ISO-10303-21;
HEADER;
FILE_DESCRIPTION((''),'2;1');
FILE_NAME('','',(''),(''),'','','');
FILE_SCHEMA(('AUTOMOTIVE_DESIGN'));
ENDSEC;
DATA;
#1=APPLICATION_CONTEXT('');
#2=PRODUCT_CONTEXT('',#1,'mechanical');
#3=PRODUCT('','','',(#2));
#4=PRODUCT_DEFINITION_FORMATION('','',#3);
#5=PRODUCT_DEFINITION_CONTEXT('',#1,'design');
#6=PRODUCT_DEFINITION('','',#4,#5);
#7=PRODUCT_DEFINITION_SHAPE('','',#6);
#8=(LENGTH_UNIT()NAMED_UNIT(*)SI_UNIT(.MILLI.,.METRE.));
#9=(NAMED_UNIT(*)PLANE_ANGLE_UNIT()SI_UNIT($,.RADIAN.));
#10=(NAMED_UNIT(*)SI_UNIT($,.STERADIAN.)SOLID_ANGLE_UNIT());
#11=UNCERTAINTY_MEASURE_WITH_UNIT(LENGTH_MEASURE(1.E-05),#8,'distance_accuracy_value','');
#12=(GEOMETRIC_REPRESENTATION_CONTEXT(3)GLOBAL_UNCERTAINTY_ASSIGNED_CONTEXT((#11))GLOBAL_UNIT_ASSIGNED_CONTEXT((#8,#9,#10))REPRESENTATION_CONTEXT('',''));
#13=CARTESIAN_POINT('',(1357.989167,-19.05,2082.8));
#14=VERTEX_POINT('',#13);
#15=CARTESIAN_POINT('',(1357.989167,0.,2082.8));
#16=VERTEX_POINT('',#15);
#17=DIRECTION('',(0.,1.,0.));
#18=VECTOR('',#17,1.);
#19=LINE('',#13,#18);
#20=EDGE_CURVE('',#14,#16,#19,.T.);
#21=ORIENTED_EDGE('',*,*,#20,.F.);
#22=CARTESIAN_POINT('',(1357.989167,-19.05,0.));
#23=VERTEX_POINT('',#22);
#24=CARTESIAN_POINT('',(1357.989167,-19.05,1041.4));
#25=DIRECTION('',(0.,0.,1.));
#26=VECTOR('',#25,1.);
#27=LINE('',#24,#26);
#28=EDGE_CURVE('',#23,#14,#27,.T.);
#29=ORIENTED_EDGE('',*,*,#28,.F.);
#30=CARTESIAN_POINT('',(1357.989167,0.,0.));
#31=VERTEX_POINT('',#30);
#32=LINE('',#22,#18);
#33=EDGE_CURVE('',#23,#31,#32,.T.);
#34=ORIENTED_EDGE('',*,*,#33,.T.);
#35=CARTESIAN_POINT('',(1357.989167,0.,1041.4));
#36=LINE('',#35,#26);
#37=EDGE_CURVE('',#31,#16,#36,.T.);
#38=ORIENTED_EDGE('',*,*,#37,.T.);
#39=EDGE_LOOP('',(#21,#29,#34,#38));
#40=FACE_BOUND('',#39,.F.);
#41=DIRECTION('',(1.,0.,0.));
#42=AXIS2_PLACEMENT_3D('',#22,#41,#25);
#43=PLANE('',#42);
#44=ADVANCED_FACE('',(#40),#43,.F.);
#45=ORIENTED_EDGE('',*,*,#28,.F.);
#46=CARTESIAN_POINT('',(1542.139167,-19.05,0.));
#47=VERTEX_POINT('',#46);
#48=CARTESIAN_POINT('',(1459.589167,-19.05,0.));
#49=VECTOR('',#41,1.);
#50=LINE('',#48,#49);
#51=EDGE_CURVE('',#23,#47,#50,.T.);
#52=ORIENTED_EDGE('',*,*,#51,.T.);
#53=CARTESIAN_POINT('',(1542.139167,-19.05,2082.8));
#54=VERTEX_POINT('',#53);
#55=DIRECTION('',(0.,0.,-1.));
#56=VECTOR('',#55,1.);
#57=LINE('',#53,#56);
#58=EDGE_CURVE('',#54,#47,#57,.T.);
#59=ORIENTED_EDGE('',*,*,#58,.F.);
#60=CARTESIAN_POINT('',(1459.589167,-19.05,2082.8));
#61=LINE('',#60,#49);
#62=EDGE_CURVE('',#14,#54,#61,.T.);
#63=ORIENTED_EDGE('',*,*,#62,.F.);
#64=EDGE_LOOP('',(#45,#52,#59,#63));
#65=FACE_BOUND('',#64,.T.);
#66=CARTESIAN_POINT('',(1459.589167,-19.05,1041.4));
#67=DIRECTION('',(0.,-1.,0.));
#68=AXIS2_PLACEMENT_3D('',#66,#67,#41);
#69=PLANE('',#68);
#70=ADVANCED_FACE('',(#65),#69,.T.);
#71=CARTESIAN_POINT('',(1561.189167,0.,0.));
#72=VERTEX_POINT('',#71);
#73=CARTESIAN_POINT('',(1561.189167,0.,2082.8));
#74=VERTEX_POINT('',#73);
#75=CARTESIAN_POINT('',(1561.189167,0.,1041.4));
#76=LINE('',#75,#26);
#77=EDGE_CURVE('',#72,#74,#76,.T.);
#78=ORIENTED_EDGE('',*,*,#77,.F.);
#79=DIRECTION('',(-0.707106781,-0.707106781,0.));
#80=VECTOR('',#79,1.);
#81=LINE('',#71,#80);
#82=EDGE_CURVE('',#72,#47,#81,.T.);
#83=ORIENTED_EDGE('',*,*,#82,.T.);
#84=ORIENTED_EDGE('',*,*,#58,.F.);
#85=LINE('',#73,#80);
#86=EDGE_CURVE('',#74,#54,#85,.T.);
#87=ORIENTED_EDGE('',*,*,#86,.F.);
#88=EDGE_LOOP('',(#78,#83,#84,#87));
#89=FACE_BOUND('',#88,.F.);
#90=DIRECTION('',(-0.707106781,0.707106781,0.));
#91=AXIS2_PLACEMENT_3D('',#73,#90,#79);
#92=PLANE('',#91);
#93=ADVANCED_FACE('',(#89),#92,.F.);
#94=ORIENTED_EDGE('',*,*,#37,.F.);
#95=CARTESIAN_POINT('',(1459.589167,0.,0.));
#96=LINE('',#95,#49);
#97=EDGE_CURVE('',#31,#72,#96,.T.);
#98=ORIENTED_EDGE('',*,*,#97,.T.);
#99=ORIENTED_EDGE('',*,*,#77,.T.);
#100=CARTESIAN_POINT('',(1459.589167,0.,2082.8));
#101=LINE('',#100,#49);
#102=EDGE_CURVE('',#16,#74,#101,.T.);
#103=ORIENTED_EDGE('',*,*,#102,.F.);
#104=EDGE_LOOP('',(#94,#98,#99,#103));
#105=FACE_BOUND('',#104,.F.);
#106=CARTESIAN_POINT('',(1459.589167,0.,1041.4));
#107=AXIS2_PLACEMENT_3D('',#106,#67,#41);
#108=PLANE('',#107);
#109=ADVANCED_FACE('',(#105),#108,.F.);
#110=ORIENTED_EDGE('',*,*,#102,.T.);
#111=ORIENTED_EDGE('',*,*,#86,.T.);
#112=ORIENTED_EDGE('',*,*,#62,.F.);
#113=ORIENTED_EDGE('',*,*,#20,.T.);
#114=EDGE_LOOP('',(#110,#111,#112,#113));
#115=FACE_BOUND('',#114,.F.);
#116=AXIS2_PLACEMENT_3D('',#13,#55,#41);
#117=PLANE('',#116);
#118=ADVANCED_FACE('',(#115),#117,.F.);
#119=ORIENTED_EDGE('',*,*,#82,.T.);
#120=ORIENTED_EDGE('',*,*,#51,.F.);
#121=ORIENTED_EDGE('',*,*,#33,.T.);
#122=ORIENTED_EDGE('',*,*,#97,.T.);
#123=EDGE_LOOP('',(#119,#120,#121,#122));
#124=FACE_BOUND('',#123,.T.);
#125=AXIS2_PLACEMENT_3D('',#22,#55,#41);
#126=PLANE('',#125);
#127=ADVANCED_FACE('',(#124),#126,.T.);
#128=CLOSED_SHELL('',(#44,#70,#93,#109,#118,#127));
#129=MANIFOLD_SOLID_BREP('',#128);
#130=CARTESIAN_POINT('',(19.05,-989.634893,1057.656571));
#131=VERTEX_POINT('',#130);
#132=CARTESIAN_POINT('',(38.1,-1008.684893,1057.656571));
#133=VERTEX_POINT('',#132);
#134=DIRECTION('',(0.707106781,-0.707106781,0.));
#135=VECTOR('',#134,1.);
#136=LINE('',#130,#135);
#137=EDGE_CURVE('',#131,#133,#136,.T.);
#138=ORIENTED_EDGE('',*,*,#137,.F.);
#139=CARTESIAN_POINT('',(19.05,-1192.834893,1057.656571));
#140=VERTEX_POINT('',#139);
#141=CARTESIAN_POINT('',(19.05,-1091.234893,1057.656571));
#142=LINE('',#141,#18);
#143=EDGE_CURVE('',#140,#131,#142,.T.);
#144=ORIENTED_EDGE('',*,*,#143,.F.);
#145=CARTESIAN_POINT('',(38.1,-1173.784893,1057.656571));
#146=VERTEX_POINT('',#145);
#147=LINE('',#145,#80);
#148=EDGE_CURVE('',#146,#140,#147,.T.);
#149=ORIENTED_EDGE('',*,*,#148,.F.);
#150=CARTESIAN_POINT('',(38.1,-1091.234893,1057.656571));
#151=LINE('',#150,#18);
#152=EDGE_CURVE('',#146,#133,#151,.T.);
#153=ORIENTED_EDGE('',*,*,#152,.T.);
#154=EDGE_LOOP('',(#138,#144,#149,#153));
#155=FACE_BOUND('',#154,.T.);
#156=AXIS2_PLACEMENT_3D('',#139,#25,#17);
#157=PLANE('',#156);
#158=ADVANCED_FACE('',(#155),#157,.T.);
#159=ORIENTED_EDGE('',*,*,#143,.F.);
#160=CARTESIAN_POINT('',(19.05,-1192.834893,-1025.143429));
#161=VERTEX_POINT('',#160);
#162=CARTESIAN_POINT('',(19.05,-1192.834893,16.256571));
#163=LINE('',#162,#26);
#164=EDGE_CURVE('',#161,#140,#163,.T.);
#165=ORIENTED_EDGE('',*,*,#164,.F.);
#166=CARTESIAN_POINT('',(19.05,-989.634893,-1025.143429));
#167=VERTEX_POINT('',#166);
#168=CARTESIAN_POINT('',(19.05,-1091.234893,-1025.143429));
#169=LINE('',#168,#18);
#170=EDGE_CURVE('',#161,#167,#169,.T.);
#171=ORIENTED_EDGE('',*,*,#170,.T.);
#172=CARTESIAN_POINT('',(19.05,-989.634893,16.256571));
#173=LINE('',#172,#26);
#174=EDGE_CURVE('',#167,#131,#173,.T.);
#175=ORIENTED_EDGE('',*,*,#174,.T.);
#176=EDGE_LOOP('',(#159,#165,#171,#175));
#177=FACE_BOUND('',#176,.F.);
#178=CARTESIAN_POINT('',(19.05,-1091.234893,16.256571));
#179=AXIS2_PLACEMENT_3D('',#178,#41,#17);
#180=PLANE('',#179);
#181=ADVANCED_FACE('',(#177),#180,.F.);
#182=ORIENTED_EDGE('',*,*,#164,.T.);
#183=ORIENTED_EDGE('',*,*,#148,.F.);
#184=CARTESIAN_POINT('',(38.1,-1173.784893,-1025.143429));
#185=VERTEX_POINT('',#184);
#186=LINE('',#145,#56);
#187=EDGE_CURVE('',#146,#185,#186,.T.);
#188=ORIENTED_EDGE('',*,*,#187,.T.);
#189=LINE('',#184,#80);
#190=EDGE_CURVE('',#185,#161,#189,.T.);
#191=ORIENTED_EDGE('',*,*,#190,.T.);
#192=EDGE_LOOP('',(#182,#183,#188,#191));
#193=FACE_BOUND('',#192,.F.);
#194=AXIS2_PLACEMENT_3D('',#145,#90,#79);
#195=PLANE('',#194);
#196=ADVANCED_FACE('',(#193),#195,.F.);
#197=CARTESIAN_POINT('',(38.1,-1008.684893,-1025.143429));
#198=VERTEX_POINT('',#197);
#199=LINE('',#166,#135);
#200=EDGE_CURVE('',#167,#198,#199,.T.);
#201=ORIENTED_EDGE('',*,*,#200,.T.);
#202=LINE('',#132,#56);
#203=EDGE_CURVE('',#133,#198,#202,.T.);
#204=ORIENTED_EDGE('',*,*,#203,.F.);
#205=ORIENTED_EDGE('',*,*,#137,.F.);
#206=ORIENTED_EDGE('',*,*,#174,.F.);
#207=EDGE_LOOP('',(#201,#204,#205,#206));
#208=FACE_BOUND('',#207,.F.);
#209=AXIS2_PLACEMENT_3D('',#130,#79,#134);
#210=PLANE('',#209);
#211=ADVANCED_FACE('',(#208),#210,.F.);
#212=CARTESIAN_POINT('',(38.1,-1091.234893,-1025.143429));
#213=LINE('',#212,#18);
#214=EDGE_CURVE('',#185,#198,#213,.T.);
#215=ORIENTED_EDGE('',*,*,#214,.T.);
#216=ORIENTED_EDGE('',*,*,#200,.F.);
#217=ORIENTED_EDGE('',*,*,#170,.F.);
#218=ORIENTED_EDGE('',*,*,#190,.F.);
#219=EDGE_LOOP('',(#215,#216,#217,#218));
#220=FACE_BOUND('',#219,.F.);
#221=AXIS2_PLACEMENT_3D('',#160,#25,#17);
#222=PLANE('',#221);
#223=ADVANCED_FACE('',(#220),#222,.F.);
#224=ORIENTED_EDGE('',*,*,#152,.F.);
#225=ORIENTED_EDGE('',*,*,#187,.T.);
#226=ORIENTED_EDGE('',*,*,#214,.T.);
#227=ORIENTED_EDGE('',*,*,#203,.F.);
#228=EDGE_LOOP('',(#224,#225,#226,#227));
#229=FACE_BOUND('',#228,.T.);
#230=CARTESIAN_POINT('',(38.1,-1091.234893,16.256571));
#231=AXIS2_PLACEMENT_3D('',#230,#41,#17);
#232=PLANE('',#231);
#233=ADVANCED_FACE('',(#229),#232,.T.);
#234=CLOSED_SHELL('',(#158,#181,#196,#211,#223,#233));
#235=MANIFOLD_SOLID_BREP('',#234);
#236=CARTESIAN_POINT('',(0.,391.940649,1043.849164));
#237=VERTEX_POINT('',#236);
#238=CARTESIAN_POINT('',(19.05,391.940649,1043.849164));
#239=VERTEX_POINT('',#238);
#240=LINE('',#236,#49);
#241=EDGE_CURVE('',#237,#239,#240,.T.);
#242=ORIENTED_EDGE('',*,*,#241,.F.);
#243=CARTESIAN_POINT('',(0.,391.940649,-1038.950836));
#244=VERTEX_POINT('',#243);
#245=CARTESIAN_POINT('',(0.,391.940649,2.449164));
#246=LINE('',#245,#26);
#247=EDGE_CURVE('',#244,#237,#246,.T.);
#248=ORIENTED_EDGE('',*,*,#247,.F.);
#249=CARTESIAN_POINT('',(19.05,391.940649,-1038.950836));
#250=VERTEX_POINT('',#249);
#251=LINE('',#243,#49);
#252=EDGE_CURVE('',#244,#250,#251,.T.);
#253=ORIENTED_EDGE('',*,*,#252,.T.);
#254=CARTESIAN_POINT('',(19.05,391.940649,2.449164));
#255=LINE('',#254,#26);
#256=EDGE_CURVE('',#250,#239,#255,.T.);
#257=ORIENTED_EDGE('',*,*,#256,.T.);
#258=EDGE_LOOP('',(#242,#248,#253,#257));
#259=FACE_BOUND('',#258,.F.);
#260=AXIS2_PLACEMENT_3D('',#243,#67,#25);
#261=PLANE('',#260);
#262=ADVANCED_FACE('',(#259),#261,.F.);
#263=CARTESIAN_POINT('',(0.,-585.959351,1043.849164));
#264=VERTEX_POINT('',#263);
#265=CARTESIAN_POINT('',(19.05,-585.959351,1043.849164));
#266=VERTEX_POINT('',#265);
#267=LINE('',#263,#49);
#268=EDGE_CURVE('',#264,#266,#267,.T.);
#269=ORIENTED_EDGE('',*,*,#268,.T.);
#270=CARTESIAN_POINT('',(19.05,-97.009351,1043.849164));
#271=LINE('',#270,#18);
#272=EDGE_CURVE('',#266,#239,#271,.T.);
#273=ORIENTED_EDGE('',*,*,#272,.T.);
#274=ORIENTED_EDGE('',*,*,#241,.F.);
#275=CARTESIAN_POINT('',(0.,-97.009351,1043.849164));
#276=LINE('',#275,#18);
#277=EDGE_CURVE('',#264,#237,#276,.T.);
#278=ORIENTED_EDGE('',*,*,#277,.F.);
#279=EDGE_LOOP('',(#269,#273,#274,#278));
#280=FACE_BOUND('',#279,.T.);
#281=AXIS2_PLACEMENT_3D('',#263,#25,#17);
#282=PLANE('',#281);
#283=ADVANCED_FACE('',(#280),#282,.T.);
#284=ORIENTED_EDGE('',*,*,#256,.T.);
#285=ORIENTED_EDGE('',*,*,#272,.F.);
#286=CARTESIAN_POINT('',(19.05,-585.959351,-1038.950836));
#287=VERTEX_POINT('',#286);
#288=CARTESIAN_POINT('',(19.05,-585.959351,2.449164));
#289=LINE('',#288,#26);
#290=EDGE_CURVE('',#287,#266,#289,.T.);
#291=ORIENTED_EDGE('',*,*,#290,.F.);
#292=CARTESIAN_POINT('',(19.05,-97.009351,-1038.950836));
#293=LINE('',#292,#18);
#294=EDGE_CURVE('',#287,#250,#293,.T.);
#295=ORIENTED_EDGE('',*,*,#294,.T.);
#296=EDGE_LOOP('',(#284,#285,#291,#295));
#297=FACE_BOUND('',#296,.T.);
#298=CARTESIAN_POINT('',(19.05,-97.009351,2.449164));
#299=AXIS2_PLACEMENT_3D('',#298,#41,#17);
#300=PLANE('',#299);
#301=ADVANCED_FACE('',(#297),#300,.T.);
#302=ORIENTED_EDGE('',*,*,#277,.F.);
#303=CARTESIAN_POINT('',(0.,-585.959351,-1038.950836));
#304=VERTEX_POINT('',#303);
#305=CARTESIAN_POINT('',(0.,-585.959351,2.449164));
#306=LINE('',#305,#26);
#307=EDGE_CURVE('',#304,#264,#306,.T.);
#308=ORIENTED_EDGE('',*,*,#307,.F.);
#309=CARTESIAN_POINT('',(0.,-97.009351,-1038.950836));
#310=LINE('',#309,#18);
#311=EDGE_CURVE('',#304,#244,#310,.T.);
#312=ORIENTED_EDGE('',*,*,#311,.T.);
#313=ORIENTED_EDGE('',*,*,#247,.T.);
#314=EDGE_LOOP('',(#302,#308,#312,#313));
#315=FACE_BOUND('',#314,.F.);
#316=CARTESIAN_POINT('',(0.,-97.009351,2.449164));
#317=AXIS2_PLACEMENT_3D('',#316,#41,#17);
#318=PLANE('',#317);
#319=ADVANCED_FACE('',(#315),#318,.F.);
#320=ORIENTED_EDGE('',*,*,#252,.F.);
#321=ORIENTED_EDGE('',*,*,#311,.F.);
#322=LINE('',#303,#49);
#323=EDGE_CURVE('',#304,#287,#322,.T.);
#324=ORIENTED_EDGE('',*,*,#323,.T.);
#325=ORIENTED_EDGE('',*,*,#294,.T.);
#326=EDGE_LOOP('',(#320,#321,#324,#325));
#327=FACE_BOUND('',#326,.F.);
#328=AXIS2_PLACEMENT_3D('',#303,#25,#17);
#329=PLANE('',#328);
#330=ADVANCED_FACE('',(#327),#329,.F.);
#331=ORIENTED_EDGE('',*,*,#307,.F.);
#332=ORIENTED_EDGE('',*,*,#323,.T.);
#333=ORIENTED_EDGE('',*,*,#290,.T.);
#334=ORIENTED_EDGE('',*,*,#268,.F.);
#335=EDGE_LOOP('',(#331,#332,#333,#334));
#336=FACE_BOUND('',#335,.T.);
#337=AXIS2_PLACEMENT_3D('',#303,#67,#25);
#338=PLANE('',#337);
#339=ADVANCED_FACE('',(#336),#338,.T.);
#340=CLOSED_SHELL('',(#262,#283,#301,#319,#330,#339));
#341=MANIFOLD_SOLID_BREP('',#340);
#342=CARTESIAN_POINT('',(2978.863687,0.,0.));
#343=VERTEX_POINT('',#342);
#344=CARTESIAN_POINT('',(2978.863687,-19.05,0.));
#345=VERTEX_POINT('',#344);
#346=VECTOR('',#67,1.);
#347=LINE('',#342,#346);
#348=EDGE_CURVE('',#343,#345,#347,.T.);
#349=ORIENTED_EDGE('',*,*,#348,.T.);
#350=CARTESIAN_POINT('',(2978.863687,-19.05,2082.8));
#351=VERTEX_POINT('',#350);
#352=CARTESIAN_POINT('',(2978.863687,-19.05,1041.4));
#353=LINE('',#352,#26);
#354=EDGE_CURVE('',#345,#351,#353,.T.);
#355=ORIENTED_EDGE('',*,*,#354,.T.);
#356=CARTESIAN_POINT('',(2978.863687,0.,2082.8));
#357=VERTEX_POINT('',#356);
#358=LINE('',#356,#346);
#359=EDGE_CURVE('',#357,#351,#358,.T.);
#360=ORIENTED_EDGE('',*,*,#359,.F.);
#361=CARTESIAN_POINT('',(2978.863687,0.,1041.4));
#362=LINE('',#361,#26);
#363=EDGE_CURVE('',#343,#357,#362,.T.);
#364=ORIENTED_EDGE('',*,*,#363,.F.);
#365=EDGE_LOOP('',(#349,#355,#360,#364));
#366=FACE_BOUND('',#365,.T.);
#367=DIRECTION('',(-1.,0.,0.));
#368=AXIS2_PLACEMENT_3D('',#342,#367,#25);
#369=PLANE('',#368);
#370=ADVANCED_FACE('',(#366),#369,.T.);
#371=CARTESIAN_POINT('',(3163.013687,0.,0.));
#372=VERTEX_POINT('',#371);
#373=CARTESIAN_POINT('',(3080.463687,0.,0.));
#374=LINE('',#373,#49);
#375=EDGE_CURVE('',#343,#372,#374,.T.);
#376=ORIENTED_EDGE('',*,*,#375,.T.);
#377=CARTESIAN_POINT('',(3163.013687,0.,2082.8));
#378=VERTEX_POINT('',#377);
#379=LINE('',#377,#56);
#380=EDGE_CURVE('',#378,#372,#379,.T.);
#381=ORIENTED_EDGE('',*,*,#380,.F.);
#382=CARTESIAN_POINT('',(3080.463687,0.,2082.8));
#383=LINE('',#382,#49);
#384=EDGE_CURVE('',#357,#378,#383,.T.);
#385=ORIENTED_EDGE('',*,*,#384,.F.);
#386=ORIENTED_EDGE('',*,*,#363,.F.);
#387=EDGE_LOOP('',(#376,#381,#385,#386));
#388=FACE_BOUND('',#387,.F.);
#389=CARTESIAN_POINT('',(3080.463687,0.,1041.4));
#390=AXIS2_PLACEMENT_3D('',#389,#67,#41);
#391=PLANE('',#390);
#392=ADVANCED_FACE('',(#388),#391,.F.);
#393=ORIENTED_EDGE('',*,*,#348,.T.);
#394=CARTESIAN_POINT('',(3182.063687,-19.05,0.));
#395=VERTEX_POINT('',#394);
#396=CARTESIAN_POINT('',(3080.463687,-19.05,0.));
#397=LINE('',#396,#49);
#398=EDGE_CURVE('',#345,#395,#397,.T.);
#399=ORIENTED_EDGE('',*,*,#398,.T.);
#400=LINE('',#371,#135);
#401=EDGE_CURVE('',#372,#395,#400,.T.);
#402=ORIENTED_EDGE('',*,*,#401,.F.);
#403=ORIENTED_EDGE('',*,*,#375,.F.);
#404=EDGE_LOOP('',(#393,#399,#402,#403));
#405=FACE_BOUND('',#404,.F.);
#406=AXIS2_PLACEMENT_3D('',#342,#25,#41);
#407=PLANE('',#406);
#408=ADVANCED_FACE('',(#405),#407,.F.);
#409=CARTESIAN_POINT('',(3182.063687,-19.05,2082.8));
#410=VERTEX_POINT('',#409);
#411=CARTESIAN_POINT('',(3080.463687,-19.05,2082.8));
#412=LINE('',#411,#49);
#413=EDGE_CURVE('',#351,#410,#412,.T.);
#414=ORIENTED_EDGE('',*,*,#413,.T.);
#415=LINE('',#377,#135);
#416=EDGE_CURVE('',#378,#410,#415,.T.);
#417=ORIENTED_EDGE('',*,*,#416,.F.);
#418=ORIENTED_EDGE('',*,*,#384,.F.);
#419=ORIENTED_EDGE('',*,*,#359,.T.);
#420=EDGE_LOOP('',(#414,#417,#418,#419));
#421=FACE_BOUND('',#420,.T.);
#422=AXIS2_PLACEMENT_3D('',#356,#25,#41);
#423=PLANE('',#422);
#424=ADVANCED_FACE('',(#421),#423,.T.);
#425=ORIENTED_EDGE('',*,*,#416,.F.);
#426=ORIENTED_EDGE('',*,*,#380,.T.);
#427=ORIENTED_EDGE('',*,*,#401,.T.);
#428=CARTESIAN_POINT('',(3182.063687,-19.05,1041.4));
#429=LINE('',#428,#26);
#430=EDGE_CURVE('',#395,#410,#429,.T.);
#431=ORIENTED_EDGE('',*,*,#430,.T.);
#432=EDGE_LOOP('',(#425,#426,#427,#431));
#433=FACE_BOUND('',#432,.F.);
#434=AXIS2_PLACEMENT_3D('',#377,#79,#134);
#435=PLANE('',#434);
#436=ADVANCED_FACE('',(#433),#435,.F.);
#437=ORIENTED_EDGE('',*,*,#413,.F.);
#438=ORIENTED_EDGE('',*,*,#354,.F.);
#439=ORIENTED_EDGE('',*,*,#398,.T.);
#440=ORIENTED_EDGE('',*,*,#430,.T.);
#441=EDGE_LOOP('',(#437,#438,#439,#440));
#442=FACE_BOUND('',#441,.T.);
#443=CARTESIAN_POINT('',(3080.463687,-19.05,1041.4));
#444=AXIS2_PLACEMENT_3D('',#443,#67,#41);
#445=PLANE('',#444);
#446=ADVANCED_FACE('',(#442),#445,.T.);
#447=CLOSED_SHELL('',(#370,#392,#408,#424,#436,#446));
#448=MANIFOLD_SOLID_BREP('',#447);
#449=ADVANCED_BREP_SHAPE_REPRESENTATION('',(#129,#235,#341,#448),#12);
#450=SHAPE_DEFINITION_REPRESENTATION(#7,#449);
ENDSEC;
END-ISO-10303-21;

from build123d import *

# Parameters (mm, degrees)
F0_W      = 977.9
F0_H      = 2082.8
F1_DEPTH  = 19.05
F2_W      = 203.2
F2_H      = 2082.8
F3_DEPTH  = 19.05
F5_DEPTH  = 2082.8
F6_W      = 203.2
F6_H      = 2082.8
F7_DEPTH  = 19.05
F9_DEPTH  = 2082.8
F10_W     = 203.2
F10_H     = 2082.8
F11_DEPTH = 19.05
F13_DEPTH = 2082.8


with BuildPart() as f1:
    # F0 (on Right) → F1 (new body)
    with BuildSketch(Plane.YZ):
        with Locations((-97.009351, 2.449164)):
            Rectangle(F0_W, F0_H)
    extrude(amount=F1_DEPTH)


with BuildPart() as f3:
    # F2 (on Front) → F3 (new body)
    with BuildSketch(Plane.XZ):
        with Locations((3080.463687, 1041.4)):
            Rectangle(F2_W, F2_H)
    extrude(amount=F3_DEPTH)

    # F4 (on face) → F5 (cut)
    with BuildSketch(Plane.XY.offset(2082.8)):
        Polygon((3163.013687, 0), (3182.063687, -19.05), (3182.063687, 0), align=None)
    extrude(amount=-F5_DEPTH, mode=Mode.SUBTRACT)


with BuildPart() as f7:
    # F6 (on face) → F7 (new body)
    with BuildSketch(Plane.XZ.offset(19.05)):
        with Locations((1459.589167, 1041.4)):
            Rectangle(F6_W, F6_H)
    extrude(amount=-F7_DEPTH)

    # F8 (on face) → F9 (cut)
    with BuildSketch(Plane.XY.offset(2082.8)):
        Polygon((1561.189167, 0), (1542.139167, -19.05), (1561.189167, -19.05), align=None)
    extrude(amount=-F9_DEPTH, mode=Mode.SUBTRACT)


with BuildPart() as f11:
    # F10 (on face) → F11 (new body)
    with BuildSketch(Plane.YZ.offset(19.05)):
        with Locations((-1091.234893, 16.256571)):
            Rectangle(F10_W, F10_H)
    extrude(amount=F11_DEPTH)

    # F12 (on face) → F13 (cut)
    with BuildSketch(Plane.XY.offset(1057.656571)):
        Polygon((38.1, -1192.834893), (38.1, -1173.784893), (19.05, -1192.834893), align=None)
        Polygon((19.05, -989.634893), (38.1, -1008.684893), (38.1, -989.634893), align=None)
    extrude(amount=-F13_DEPTH, mode=Mode.SUBTRACT)


solid = Compound([f1.part, f3.part, f7.part, f11.part])
